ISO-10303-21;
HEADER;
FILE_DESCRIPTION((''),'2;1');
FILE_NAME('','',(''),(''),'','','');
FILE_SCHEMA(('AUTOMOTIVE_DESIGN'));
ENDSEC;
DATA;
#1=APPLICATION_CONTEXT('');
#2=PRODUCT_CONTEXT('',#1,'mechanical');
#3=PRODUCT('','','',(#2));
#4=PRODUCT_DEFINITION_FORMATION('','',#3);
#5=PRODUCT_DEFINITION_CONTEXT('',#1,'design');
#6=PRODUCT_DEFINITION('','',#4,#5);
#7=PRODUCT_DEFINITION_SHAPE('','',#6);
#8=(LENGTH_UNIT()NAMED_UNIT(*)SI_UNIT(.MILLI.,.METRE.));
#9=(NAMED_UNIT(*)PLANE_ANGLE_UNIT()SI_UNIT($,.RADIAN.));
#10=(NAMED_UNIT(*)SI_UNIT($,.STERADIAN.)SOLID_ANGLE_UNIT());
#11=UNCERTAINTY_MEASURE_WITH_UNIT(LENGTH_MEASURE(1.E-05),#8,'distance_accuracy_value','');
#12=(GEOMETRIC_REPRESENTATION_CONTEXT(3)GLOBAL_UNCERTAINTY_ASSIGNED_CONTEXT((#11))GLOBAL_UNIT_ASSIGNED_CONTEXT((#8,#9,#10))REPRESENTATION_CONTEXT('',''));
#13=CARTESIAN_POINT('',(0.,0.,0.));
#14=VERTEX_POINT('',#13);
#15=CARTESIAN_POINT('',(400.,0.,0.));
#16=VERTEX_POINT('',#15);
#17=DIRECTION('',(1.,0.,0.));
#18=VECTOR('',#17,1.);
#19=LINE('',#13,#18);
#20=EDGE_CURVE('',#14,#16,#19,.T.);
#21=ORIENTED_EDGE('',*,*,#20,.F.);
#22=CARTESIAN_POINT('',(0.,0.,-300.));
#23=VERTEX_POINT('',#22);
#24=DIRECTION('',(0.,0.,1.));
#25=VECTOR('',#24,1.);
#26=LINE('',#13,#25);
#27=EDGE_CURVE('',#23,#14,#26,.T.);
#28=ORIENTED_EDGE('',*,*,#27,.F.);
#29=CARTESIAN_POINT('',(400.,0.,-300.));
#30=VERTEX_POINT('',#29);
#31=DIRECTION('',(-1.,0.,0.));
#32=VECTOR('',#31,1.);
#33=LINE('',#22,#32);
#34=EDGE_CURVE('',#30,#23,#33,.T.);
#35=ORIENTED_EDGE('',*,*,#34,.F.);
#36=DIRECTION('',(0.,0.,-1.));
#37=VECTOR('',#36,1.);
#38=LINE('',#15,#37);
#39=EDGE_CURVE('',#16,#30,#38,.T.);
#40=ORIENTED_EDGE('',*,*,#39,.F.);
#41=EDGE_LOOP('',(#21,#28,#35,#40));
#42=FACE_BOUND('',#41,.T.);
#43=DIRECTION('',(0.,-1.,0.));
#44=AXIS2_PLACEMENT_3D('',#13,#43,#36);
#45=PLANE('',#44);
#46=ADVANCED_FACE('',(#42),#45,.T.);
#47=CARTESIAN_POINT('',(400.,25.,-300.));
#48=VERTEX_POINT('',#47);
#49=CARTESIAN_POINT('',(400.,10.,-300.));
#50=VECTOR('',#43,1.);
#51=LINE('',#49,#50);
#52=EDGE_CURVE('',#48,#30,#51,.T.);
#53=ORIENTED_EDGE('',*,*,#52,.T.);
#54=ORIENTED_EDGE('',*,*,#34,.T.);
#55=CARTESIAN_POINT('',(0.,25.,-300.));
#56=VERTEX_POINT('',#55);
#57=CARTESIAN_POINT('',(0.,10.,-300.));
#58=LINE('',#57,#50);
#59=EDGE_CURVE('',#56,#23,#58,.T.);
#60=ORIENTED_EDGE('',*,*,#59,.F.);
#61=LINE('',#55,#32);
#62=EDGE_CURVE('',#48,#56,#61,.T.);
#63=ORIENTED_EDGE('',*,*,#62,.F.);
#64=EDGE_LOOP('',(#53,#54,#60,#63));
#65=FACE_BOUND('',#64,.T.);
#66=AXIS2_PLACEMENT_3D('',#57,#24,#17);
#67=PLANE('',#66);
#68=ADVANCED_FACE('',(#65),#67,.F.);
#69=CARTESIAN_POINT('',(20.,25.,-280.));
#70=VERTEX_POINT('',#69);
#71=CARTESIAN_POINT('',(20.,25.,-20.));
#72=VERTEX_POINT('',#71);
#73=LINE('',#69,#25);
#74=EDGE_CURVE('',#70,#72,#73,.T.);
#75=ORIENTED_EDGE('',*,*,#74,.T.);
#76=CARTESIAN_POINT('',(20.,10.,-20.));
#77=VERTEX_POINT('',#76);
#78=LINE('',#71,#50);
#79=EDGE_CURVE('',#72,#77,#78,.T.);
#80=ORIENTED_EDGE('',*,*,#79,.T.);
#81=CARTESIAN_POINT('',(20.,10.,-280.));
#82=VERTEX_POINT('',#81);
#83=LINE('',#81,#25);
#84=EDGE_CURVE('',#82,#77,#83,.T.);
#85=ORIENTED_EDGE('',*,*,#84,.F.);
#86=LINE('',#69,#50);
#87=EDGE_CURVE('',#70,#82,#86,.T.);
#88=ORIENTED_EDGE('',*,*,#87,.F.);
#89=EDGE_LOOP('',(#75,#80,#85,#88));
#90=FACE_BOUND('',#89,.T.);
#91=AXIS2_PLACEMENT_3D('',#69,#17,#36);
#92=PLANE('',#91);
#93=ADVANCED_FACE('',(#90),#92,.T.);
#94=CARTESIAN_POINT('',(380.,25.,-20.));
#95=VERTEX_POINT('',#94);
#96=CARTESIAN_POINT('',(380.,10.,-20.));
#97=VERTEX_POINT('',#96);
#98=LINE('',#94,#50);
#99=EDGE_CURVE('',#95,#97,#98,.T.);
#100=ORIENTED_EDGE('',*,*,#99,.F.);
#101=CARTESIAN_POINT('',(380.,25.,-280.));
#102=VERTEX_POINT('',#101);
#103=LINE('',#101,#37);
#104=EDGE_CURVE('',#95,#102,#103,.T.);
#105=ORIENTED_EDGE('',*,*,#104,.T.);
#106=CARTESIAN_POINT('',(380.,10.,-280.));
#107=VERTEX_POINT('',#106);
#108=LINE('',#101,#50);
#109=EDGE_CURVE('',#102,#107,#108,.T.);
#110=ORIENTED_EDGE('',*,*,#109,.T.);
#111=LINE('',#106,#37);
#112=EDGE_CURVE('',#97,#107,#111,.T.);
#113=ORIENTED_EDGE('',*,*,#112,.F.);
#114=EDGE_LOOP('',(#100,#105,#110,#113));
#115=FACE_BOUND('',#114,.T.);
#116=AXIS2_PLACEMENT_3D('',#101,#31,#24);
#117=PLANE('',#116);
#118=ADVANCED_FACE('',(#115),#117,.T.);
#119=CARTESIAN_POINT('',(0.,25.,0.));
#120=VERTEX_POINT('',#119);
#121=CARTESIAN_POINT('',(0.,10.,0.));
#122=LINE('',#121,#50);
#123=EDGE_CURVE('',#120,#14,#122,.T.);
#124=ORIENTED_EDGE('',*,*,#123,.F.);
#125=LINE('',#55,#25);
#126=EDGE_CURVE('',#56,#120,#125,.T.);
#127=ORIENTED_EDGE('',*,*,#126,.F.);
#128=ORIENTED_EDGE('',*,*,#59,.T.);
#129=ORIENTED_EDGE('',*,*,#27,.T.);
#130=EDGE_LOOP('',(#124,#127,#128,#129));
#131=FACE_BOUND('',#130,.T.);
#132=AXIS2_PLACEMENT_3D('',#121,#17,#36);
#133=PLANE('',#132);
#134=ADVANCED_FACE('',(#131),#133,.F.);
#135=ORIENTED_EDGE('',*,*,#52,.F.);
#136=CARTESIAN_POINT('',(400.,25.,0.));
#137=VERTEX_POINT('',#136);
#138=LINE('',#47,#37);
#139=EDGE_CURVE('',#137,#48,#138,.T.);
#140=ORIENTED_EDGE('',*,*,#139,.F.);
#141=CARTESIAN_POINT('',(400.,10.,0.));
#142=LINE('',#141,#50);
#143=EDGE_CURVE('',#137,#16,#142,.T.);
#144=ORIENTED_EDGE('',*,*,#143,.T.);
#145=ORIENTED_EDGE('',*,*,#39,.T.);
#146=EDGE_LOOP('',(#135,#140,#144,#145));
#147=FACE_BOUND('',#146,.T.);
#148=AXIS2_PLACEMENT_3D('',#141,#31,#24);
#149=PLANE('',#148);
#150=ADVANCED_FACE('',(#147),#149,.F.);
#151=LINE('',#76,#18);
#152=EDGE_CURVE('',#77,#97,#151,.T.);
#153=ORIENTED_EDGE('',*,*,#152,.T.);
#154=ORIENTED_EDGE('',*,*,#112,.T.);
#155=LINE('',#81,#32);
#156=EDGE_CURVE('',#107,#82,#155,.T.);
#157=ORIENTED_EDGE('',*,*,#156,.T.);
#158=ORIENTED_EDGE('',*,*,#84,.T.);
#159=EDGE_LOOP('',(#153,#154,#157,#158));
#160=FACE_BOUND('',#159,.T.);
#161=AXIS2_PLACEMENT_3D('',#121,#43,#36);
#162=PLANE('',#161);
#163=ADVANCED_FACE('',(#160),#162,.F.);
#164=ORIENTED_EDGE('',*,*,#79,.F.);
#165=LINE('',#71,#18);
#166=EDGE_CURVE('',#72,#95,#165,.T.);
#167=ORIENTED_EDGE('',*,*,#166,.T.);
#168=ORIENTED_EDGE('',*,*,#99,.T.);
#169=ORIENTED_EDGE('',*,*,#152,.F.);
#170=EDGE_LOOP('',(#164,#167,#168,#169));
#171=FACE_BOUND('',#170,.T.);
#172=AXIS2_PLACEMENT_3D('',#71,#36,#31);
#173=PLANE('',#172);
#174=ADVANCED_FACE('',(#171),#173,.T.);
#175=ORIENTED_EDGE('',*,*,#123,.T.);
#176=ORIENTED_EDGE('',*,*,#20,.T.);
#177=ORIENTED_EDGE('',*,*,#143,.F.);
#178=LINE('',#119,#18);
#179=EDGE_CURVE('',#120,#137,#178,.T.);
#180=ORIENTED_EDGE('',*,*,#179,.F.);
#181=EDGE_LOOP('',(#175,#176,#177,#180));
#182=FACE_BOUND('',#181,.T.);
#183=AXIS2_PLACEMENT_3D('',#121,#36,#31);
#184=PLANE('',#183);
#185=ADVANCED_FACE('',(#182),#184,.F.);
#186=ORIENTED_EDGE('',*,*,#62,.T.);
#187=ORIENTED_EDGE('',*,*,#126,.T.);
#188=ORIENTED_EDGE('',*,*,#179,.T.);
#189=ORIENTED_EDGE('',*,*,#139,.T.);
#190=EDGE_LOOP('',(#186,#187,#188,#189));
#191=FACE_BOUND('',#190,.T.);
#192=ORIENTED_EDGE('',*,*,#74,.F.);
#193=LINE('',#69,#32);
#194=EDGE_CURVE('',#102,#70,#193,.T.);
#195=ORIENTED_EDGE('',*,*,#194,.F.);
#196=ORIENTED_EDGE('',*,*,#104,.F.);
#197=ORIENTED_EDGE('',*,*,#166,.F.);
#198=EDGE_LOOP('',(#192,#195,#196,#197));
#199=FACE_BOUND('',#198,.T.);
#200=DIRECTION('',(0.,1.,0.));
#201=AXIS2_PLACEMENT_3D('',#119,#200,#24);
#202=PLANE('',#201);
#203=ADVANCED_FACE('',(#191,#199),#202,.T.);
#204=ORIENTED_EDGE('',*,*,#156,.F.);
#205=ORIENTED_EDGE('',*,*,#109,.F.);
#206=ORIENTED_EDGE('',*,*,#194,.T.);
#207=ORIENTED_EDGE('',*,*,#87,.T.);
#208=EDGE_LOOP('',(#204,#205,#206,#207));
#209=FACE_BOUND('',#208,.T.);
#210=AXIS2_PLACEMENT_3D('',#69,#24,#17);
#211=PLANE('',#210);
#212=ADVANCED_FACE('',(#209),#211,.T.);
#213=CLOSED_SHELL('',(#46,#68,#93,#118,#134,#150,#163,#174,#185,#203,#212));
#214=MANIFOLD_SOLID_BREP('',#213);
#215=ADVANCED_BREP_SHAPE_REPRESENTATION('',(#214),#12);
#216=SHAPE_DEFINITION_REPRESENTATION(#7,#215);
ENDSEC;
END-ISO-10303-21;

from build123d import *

# Parameters (mm, degrees)
SKETCH1_W           = 400
SKETCH1_H           = 300
BOSS_EXTRUDE1_DEPTH = 10
SKETCH2_W           = 400
SKETCH2_H           = 300
SKETCH2_W_2         = 360
SKETCH2_H_2         = 260
BOSS_EXTRUDE2_DEPTH = 15


with BuildPart() as part:
    # Sketch1 → Boss-Extrude1 (new body)
    with BuildSketch(Plane(origin=(0, 0, 0), x_dir=(1, 0, 0), z_dir=(0, 1, 0))):
        with Locations((200, 150)):
            Rectangle(SKETCH1_W, SKETCH1_H)
    extrude(amount=BOSS_EXTRUDE1_DEPTH)

    # Sketch2 → Boss-Extrude2 (add)
    with BuildSketch(Plane(origin=(0, 10, 0), x_dir=(1, 0, 0), z_dir=(0, 1, 0))):
        with Locations((200, 150)):
            Rectangle(SKETCH2_W, SKETCH2_H)
        with Locations((200, 150)):
            Rectangle(SKETCH2_W_2, SKETCH2_H_2, mode=Mode.SUBTRACT)
    extrude(amount=BOSS_EXTRUDE2_DEPTH)


solid = part.part
